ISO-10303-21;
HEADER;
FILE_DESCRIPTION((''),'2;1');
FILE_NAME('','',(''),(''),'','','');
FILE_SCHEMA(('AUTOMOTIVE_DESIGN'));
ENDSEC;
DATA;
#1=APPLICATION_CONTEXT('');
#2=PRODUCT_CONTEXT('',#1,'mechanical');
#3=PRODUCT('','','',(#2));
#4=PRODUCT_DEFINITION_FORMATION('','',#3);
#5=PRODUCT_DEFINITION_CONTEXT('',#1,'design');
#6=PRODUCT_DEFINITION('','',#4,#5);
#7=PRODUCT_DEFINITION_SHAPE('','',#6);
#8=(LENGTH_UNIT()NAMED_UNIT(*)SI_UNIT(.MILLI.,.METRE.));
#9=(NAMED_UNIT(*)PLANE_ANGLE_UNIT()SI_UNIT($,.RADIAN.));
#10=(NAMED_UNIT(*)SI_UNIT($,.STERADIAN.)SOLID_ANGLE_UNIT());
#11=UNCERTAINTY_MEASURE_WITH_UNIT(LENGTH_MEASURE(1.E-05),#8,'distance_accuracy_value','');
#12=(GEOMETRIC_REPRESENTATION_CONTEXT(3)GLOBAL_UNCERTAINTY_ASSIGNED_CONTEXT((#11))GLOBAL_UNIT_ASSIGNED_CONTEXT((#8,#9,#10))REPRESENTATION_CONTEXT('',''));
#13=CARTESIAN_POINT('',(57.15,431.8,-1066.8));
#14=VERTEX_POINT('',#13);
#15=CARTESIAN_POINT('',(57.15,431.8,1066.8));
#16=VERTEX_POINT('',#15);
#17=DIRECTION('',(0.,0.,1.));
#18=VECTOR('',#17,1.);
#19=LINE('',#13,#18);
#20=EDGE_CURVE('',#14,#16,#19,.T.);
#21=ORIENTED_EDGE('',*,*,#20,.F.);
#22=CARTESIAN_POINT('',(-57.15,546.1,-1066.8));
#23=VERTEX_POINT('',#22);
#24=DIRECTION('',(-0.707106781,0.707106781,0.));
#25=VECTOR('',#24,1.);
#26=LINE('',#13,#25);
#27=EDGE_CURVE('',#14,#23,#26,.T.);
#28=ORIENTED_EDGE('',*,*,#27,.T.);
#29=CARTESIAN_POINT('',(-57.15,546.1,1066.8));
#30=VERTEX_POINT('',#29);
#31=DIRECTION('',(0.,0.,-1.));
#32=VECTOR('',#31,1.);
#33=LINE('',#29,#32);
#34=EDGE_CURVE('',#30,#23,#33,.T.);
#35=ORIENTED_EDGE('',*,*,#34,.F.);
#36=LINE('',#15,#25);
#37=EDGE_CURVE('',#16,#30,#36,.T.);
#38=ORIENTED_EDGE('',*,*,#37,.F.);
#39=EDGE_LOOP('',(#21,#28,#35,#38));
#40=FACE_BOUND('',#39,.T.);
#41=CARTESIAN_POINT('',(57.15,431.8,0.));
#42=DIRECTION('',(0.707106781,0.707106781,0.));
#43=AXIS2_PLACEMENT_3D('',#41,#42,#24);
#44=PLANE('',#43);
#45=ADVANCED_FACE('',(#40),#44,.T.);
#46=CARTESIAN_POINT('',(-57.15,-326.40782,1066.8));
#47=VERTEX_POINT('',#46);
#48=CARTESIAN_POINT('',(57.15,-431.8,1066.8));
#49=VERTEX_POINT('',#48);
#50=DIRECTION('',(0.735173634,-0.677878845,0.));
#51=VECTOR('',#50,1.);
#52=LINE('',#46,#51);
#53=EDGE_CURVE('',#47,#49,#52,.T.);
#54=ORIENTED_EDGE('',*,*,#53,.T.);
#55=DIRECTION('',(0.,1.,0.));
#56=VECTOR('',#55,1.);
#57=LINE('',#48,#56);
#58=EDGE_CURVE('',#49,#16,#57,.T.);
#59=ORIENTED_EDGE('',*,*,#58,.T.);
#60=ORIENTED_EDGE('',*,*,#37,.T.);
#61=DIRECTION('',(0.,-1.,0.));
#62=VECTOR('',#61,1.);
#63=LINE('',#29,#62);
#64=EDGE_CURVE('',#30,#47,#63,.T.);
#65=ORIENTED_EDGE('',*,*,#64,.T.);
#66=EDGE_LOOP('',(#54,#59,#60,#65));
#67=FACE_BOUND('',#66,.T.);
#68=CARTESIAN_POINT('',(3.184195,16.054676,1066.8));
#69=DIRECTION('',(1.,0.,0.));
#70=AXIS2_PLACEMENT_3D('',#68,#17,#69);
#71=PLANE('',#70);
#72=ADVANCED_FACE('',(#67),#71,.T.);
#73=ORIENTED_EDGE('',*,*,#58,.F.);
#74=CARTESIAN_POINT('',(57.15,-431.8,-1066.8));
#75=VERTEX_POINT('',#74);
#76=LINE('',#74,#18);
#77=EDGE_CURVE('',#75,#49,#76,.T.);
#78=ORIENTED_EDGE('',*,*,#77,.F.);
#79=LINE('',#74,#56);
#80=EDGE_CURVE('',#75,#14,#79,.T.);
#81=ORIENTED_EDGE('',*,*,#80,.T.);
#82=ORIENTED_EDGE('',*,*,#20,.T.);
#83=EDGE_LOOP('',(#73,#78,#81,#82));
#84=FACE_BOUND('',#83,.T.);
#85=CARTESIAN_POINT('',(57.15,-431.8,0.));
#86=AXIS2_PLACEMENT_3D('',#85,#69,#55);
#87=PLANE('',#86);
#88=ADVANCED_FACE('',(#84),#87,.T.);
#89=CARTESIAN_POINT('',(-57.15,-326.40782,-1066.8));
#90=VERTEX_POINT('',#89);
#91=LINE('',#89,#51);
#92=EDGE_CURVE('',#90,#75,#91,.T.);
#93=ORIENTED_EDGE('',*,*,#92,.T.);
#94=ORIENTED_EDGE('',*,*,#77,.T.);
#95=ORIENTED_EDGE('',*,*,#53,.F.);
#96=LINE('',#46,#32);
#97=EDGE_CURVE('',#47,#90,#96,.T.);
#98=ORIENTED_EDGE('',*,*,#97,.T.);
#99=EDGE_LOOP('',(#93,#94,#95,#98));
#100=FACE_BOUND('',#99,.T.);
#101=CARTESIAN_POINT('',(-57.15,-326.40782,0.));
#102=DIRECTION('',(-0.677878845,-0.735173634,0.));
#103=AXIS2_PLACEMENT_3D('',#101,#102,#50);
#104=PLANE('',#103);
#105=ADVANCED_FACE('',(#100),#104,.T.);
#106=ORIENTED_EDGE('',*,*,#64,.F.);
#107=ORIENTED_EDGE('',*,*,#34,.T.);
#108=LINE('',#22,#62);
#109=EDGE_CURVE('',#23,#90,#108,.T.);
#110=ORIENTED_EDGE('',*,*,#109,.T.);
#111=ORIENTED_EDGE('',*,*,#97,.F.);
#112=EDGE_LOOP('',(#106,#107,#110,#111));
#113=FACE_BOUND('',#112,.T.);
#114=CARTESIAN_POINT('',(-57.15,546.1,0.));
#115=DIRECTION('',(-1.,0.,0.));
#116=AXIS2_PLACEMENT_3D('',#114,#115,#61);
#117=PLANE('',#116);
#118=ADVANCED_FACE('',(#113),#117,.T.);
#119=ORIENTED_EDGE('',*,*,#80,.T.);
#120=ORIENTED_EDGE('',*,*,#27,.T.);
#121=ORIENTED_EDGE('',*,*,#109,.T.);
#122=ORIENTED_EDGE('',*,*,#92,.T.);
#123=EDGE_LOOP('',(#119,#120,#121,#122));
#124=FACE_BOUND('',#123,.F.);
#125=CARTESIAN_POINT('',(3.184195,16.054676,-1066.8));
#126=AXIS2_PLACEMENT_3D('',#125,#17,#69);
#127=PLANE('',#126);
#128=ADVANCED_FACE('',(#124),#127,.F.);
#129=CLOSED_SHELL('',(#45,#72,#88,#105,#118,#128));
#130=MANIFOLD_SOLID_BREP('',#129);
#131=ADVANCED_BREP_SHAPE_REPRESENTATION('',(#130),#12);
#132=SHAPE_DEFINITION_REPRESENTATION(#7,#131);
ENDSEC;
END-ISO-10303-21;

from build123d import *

# Parameters (mm, degrees)
F1_DEPTH = 1066.8


with BuildPart() as f1:
    # F0 (on Top) → F1 (new body, symmetric)
    with BuildSketch(Plane.XY):
        Polygon((-57.15, -326.40782), (57.15, -431.8), (57.15, 431.8), (-57.15, 431.8), align=None)
        Polygon((-57.15, 431.8), (57.15, 431.8), (-57.15, 546.1), align=None)
    extrude(amount=F1_DEPTH, both=True)


solid = f1.part
